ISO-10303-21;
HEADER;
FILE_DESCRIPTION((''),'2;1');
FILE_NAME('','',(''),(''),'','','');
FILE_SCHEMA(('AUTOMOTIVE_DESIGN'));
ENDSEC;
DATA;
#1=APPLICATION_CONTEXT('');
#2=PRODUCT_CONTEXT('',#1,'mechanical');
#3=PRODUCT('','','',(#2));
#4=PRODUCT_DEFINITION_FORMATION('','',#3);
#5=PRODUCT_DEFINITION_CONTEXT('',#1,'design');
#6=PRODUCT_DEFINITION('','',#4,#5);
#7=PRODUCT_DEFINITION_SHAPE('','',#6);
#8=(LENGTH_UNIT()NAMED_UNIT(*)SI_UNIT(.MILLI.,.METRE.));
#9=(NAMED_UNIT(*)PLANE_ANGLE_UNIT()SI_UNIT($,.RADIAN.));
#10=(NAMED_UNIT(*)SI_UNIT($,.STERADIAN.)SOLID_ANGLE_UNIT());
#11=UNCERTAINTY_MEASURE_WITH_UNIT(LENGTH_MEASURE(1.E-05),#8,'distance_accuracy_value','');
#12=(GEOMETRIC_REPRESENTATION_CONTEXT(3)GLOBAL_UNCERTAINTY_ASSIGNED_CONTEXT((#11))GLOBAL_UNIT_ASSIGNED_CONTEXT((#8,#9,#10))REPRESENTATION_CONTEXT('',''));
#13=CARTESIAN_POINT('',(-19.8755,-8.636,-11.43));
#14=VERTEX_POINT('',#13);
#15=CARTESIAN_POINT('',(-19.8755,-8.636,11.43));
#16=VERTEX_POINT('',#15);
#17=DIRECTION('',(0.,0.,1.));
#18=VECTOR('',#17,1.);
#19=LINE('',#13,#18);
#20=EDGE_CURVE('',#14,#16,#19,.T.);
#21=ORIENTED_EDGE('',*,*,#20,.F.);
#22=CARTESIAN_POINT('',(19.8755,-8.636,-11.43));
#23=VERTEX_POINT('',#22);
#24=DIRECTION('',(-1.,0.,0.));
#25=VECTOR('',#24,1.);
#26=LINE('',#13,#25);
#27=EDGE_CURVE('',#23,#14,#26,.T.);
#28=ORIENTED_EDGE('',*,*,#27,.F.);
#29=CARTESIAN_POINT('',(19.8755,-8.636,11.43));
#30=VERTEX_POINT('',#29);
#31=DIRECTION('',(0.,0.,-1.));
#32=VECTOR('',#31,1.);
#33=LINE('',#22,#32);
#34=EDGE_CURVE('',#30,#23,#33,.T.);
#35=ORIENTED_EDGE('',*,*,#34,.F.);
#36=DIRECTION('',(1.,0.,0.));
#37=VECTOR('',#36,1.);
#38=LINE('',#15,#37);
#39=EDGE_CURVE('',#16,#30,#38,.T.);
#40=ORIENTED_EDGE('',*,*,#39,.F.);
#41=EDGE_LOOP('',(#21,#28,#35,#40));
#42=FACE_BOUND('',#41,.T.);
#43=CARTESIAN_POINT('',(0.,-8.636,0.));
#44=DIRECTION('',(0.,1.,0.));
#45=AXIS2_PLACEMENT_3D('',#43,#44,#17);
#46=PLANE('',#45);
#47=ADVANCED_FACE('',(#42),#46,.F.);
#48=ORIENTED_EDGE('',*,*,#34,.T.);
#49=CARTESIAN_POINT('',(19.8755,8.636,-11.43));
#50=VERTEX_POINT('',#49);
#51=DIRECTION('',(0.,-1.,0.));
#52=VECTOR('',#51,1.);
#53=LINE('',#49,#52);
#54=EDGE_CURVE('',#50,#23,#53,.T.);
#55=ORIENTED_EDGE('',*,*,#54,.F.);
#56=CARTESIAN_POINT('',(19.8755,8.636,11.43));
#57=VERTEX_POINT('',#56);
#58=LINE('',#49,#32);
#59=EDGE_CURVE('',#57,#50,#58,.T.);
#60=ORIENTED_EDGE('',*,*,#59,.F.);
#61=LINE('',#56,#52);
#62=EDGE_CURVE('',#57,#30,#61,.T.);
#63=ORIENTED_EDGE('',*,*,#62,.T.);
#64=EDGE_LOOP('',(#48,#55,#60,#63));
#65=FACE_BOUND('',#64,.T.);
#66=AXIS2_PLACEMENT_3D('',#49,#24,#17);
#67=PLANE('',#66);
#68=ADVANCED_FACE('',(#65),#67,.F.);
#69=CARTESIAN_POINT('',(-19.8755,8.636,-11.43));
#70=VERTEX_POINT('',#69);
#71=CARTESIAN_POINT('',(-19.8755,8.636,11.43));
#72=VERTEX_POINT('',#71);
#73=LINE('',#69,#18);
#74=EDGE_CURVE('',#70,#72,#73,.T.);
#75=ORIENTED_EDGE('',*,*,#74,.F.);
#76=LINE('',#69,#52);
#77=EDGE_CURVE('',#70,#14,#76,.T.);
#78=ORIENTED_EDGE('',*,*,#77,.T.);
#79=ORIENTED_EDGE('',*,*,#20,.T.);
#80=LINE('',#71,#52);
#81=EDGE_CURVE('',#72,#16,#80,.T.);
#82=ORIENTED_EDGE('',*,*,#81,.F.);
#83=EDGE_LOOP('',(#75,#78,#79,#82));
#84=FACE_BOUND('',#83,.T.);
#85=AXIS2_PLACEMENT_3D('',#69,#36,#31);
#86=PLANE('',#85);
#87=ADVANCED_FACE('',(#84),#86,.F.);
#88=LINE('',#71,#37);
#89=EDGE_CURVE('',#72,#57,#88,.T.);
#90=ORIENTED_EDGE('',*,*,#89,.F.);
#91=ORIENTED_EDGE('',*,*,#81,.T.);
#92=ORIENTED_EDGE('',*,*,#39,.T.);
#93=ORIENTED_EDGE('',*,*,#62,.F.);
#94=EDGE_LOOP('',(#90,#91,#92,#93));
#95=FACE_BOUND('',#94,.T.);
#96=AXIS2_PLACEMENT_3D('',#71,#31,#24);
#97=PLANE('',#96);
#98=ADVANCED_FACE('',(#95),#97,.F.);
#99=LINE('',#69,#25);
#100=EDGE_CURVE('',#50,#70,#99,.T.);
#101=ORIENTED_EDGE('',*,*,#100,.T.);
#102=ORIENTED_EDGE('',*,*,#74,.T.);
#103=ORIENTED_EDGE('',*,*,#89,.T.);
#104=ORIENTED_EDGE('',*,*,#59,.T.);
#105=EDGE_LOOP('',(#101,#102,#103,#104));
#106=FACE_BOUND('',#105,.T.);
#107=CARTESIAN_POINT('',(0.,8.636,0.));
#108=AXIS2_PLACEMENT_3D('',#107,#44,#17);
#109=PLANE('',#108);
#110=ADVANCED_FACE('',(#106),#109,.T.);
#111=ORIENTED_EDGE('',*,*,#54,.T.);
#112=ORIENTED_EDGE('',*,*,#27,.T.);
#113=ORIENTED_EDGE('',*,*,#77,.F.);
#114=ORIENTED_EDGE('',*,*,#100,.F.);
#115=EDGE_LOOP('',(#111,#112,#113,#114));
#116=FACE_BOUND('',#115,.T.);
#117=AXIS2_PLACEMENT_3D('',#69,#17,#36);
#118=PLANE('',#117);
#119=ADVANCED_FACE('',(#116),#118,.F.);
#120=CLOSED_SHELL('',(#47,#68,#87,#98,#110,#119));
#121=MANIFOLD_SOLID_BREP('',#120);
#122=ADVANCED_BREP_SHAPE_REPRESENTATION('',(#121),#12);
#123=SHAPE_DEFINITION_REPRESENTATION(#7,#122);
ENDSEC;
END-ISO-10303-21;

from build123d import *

# Parameters (mm, degrees)
SKETCH1_W           = 39.751
SKETCH1_H           = 22.86
BOSS_EXTRUDE1_DEPTH = 8.636


with BuildPart() as part:
    # Sketch1 → Boss-Extrude1 (new body, symmetric)
    with BuildSketch(Plane(origin=(0, 0, 0), x_dir=(1, 0, 0), z_dir=(0, 1, 0))):
        Rectangle(SKETCH1_W, SKETCH1_H)
    extrude(amount=BOSS_EXTRUDE1_DEPTH, both=True)


solid = part.part
